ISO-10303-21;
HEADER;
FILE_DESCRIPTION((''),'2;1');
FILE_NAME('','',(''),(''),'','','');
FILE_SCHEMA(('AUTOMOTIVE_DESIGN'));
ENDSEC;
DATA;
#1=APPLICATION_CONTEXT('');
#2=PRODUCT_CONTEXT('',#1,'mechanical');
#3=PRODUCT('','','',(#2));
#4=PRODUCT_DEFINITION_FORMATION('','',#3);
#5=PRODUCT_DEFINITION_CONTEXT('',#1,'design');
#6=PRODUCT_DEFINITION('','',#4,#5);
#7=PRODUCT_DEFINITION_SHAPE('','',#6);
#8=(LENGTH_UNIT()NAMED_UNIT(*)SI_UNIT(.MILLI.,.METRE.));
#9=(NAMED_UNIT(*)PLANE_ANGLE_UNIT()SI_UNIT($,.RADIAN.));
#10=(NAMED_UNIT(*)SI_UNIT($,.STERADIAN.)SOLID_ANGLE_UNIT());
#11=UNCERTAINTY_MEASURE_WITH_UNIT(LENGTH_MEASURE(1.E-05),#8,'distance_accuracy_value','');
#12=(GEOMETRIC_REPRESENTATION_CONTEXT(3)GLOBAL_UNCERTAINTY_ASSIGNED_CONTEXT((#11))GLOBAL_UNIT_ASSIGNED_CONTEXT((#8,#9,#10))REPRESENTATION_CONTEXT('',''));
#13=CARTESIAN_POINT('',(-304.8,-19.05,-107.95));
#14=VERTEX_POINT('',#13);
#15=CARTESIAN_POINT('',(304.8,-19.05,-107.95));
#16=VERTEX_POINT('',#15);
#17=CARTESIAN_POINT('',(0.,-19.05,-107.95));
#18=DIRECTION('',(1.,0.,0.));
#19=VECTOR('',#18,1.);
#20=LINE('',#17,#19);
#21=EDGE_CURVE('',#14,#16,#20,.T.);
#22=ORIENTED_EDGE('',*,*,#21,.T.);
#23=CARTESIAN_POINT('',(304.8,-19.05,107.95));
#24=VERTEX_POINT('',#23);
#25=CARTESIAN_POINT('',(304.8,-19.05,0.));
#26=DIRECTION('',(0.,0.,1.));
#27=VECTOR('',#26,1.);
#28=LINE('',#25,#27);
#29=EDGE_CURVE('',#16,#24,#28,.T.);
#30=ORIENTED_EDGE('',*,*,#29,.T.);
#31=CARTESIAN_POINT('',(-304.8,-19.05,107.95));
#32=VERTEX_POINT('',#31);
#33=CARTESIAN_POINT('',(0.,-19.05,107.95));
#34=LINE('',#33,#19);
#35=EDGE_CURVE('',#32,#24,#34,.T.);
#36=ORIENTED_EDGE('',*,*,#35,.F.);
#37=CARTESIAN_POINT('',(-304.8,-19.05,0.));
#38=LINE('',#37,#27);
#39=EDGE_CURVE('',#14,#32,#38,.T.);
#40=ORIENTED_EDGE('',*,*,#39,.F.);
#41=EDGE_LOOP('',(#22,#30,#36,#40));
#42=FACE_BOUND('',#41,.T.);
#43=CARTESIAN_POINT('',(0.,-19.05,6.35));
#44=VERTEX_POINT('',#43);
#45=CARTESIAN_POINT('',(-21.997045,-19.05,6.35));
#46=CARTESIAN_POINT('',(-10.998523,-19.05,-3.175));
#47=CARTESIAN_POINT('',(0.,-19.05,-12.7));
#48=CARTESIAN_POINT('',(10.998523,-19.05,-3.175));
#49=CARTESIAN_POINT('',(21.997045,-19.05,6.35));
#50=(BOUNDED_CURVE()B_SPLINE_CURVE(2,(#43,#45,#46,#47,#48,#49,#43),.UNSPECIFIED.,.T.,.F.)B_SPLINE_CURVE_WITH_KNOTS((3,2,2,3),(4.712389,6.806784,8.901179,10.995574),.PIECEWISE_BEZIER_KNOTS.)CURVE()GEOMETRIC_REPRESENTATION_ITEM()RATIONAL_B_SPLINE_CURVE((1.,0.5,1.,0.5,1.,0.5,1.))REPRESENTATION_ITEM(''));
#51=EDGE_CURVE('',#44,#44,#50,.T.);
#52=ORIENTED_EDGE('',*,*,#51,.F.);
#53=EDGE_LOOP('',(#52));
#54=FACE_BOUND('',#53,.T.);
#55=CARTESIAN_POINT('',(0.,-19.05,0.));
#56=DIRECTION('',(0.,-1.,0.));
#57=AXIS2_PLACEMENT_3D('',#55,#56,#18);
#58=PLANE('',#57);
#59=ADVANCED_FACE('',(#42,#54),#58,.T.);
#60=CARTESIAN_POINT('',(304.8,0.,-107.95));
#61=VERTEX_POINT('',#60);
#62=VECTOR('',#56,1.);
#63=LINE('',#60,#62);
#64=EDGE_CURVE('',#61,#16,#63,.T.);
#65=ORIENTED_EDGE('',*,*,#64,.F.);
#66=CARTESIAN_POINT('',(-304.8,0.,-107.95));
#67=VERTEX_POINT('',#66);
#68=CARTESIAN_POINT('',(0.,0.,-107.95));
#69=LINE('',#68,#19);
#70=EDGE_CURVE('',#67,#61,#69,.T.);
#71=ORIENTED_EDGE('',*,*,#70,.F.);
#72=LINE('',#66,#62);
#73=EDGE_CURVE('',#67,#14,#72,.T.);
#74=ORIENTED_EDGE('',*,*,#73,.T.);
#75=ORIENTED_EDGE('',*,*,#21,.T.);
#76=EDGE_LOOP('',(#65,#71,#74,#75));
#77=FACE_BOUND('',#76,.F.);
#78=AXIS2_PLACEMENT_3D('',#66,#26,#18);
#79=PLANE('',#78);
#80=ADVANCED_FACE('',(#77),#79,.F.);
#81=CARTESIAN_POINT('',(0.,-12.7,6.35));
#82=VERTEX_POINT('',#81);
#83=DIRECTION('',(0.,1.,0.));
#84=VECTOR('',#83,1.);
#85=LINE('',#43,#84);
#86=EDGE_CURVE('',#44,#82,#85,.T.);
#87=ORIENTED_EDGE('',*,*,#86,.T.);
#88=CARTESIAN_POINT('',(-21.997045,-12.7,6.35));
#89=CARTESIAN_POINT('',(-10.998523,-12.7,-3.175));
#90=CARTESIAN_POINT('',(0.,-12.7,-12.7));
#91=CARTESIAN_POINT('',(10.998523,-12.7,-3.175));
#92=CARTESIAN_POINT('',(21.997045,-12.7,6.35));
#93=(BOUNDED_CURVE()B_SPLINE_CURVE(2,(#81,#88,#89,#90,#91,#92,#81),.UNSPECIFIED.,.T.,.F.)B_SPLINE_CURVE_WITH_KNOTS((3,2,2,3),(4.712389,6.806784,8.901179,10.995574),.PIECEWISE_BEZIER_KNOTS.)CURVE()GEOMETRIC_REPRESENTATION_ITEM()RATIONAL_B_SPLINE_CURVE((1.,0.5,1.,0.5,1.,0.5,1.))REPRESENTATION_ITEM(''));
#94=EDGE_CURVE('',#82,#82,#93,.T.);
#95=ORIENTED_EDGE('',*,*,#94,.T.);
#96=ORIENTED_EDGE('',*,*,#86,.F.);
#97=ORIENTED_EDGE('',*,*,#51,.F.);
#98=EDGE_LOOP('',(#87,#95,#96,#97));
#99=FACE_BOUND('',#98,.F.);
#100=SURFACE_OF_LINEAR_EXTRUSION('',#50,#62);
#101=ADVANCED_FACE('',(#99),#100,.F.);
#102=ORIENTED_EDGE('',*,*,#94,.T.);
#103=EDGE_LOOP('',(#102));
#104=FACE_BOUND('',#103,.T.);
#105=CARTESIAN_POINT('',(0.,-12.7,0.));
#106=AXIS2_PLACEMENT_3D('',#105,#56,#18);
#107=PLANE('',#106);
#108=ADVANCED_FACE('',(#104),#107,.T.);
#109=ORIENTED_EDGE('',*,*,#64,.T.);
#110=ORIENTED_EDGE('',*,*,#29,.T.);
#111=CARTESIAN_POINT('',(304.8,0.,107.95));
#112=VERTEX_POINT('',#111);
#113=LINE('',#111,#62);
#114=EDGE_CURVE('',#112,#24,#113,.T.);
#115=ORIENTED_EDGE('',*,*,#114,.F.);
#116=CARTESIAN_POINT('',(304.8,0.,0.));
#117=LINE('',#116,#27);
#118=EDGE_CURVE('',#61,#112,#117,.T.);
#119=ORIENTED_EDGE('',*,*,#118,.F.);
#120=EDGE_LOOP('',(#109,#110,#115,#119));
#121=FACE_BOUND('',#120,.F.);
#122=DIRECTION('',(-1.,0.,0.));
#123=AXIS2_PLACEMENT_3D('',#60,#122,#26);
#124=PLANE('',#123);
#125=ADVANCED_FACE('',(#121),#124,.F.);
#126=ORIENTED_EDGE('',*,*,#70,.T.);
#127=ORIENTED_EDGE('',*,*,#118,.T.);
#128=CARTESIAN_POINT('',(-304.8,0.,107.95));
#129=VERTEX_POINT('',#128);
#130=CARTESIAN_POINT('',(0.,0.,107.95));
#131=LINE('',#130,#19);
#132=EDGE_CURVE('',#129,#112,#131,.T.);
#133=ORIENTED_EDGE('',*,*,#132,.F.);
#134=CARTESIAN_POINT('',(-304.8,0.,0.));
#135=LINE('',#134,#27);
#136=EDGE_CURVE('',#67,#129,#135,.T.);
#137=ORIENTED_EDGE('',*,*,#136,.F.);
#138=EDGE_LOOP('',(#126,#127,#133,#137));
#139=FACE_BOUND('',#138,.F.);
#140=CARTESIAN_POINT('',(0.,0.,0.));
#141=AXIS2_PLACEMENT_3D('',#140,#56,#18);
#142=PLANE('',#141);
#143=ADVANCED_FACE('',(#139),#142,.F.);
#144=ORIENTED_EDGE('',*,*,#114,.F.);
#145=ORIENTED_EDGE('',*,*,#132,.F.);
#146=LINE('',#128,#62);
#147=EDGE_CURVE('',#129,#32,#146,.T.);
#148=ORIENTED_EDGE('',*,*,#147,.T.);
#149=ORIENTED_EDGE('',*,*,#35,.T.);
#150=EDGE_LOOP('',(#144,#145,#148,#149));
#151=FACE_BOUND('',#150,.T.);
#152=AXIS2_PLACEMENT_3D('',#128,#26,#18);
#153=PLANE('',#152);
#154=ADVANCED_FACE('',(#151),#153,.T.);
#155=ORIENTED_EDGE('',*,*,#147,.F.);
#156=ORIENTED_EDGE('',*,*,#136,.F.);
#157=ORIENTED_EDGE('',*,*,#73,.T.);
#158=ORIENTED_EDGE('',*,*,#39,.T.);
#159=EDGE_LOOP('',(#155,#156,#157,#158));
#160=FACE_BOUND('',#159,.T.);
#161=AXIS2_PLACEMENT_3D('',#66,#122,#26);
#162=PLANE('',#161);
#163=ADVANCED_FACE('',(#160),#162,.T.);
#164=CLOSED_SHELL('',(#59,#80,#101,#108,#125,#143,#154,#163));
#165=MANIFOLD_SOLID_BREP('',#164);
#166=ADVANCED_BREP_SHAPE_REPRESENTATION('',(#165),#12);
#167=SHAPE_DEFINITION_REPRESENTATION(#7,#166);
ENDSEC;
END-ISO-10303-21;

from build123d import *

# Parameters (mm, degrees)
F0_W     = 609.6
F0_H     = 215.9
F1_DEPTH = 19.05
F3_DEPTH = 6.35


with BuildPart() as f1:
    # F0 (on Front) → F1 (new body)
    with BuildSketch(Plane.XZ):
        Rectangle(F0_W, F0_H)
    extrude(amount=F1_DEPTH)

    # F2 (on face) → F3 (cut)
    with BuildSketch(Plane.XZ.offset(19.05)):
        with BuildLine():
            add(Edge.make_bspline(
                [(0, 6.35), (-21.997045, 6.35), (-10.998523, -3.175), (0, -12.7), (10.998523, -3.175), (21.997045, 6.35), (0, 6.35)],
                knots=[4.712389, 4.712389, 4.712389, 6.806784, 6.806784, 8.901179, 8.901179, 10.995574, 10.995574, 10.995574], degree=2, weights=[1, 0.5, 1, 0.5, 1, 0.5, 1]))
        make_face()
    extrude(amount=-F3_DEPTH, mode=Mode.SUBTRACT)


solid = f1.part
